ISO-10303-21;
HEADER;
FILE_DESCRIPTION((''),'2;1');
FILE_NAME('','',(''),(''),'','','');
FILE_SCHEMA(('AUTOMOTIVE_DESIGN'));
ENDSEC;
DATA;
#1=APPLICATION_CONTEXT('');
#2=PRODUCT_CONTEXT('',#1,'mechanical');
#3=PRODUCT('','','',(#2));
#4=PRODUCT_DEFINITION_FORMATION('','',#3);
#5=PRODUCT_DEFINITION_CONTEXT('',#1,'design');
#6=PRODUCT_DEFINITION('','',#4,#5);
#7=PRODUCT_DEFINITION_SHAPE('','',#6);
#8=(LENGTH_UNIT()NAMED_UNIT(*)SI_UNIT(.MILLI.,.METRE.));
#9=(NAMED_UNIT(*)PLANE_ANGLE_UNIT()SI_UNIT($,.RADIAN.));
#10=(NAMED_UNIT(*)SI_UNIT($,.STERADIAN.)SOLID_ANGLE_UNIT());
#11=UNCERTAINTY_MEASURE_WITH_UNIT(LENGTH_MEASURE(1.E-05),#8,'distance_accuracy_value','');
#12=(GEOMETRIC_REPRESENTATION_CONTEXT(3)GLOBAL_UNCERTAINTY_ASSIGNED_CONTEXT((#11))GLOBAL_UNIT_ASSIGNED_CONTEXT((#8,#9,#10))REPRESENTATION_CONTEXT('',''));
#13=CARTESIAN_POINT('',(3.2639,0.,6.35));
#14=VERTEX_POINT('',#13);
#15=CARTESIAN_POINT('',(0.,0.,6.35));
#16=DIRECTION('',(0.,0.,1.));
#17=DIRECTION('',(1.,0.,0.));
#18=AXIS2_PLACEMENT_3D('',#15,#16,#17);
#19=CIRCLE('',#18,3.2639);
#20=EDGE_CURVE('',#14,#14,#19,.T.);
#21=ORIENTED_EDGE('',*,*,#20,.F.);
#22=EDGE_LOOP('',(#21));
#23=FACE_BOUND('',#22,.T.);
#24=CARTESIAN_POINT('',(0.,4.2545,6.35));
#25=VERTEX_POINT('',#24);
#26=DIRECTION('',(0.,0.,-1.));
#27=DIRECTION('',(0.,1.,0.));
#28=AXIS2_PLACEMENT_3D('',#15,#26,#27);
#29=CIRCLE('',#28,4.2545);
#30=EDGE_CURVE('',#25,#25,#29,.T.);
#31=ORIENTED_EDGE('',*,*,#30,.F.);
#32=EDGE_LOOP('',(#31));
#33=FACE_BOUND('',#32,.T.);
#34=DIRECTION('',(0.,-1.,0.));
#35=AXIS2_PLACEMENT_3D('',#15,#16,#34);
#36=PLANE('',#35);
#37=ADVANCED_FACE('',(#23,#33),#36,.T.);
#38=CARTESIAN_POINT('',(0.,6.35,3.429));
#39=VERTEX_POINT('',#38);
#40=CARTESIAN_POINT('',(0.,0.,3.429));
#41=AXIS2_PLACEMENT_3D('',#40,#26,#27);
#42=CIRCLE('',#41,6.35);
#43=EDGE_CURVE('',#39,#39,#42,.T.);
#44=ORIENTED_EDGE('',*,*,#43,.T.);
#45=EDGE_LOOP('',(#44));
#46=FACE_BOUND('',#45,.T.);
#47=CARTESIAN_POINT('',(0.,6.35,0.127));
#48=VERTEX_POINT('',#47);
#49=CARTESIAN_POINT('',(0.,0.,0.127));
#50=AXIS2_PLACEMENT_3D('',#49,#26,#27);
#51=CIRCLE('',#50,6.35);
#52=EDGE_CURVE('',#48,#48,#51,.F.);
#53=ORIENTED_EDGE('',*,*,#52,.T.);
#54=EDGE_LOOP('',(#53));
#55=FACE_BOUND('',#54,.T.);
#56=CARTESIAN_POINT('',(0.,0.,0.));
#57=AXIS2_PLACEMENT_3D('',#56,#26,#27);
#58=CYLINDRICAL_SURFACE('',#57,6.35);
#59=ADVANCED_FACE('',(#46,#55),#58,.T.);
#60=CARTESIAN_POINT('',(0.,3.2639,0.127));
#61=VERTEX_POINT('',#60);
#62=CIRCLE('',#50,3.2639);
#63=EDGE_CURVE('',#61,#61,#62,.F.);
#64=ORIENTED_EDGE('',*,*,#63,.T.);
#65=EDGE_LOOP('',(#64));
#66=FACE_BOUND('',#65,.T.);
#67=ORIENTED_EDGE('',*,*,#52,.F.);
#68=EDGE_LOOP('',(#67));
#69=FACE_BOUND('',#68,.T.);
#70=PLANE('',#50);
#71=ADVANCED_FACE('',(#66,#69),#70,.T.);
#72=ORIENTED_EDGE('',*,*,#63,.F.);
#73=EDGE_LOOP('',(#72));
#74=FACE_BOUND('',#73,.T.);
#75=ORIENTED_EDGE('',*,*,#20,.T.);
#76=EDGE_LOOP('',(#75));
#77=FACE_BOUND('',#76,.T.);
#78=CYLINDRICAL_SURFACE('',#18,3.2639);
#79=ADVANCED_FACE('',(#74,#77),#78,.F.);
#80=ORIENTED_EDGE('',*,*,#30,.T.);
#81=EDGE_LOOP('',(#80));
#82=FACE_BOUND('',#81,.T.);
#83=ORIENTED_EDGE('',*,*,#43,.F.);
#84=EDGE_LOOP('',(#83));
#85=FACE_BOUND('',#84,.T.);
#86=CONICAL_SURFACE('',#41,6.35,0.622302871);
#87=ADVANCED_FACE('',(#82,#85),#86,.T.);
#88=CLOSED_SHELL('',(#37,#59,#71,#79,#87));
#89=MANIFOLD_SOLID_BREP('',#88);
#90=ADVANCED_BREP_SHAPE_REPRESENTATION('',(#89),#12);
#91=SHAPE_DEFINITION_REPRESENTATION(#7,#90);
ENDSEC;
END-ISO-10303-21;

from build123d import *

# Parameters (mm, degrees)
F_1_4_CLEARANCE_HOLE1_D = 6.5278
SKETCH4_W               = 12.7
SKETCH4_H               = 12.7
CUT_EXTRUDE1_DEPTH      = 0.127


with BuildPart() as part:
    # Sketch1 → Revolve1 (revolve)
    with BuildSketch(Plane(origin=(0, 0, 0), x_dir=(0, 0, -1), z_dir=(1, 0, 0))):
        Polygon((-6.35, 0), (-6.35, 4.2545), (-3.429, 6.35), (0, 6.35), (0, 0), align=None)
    revolve(axis=Axis((0, 0, 0), (0, 0, 1)))

    # 1/4 Clearance Hole1 (through all)
    with Locations(Plane.XY.offset(6.35)):
        with Locations((0, 0)):
            Hole(F_1_4_CLEARANCE_HOLE1_D / 2)

    # Sketch4 → Cut-Extrude1 (cut)
    with BuildSketch(Plane(origin=(0, 0, 0), x_dir=(-1, 0, 0), z_dir=(0, 0, -1))):
        Rectangle(SKETCH4_W, SKETCH4_H)
    extrude(amount=-CUT_EXTRUDE1_DEPTH, mode=Mode.SUBTRACT)


solid = part.part
